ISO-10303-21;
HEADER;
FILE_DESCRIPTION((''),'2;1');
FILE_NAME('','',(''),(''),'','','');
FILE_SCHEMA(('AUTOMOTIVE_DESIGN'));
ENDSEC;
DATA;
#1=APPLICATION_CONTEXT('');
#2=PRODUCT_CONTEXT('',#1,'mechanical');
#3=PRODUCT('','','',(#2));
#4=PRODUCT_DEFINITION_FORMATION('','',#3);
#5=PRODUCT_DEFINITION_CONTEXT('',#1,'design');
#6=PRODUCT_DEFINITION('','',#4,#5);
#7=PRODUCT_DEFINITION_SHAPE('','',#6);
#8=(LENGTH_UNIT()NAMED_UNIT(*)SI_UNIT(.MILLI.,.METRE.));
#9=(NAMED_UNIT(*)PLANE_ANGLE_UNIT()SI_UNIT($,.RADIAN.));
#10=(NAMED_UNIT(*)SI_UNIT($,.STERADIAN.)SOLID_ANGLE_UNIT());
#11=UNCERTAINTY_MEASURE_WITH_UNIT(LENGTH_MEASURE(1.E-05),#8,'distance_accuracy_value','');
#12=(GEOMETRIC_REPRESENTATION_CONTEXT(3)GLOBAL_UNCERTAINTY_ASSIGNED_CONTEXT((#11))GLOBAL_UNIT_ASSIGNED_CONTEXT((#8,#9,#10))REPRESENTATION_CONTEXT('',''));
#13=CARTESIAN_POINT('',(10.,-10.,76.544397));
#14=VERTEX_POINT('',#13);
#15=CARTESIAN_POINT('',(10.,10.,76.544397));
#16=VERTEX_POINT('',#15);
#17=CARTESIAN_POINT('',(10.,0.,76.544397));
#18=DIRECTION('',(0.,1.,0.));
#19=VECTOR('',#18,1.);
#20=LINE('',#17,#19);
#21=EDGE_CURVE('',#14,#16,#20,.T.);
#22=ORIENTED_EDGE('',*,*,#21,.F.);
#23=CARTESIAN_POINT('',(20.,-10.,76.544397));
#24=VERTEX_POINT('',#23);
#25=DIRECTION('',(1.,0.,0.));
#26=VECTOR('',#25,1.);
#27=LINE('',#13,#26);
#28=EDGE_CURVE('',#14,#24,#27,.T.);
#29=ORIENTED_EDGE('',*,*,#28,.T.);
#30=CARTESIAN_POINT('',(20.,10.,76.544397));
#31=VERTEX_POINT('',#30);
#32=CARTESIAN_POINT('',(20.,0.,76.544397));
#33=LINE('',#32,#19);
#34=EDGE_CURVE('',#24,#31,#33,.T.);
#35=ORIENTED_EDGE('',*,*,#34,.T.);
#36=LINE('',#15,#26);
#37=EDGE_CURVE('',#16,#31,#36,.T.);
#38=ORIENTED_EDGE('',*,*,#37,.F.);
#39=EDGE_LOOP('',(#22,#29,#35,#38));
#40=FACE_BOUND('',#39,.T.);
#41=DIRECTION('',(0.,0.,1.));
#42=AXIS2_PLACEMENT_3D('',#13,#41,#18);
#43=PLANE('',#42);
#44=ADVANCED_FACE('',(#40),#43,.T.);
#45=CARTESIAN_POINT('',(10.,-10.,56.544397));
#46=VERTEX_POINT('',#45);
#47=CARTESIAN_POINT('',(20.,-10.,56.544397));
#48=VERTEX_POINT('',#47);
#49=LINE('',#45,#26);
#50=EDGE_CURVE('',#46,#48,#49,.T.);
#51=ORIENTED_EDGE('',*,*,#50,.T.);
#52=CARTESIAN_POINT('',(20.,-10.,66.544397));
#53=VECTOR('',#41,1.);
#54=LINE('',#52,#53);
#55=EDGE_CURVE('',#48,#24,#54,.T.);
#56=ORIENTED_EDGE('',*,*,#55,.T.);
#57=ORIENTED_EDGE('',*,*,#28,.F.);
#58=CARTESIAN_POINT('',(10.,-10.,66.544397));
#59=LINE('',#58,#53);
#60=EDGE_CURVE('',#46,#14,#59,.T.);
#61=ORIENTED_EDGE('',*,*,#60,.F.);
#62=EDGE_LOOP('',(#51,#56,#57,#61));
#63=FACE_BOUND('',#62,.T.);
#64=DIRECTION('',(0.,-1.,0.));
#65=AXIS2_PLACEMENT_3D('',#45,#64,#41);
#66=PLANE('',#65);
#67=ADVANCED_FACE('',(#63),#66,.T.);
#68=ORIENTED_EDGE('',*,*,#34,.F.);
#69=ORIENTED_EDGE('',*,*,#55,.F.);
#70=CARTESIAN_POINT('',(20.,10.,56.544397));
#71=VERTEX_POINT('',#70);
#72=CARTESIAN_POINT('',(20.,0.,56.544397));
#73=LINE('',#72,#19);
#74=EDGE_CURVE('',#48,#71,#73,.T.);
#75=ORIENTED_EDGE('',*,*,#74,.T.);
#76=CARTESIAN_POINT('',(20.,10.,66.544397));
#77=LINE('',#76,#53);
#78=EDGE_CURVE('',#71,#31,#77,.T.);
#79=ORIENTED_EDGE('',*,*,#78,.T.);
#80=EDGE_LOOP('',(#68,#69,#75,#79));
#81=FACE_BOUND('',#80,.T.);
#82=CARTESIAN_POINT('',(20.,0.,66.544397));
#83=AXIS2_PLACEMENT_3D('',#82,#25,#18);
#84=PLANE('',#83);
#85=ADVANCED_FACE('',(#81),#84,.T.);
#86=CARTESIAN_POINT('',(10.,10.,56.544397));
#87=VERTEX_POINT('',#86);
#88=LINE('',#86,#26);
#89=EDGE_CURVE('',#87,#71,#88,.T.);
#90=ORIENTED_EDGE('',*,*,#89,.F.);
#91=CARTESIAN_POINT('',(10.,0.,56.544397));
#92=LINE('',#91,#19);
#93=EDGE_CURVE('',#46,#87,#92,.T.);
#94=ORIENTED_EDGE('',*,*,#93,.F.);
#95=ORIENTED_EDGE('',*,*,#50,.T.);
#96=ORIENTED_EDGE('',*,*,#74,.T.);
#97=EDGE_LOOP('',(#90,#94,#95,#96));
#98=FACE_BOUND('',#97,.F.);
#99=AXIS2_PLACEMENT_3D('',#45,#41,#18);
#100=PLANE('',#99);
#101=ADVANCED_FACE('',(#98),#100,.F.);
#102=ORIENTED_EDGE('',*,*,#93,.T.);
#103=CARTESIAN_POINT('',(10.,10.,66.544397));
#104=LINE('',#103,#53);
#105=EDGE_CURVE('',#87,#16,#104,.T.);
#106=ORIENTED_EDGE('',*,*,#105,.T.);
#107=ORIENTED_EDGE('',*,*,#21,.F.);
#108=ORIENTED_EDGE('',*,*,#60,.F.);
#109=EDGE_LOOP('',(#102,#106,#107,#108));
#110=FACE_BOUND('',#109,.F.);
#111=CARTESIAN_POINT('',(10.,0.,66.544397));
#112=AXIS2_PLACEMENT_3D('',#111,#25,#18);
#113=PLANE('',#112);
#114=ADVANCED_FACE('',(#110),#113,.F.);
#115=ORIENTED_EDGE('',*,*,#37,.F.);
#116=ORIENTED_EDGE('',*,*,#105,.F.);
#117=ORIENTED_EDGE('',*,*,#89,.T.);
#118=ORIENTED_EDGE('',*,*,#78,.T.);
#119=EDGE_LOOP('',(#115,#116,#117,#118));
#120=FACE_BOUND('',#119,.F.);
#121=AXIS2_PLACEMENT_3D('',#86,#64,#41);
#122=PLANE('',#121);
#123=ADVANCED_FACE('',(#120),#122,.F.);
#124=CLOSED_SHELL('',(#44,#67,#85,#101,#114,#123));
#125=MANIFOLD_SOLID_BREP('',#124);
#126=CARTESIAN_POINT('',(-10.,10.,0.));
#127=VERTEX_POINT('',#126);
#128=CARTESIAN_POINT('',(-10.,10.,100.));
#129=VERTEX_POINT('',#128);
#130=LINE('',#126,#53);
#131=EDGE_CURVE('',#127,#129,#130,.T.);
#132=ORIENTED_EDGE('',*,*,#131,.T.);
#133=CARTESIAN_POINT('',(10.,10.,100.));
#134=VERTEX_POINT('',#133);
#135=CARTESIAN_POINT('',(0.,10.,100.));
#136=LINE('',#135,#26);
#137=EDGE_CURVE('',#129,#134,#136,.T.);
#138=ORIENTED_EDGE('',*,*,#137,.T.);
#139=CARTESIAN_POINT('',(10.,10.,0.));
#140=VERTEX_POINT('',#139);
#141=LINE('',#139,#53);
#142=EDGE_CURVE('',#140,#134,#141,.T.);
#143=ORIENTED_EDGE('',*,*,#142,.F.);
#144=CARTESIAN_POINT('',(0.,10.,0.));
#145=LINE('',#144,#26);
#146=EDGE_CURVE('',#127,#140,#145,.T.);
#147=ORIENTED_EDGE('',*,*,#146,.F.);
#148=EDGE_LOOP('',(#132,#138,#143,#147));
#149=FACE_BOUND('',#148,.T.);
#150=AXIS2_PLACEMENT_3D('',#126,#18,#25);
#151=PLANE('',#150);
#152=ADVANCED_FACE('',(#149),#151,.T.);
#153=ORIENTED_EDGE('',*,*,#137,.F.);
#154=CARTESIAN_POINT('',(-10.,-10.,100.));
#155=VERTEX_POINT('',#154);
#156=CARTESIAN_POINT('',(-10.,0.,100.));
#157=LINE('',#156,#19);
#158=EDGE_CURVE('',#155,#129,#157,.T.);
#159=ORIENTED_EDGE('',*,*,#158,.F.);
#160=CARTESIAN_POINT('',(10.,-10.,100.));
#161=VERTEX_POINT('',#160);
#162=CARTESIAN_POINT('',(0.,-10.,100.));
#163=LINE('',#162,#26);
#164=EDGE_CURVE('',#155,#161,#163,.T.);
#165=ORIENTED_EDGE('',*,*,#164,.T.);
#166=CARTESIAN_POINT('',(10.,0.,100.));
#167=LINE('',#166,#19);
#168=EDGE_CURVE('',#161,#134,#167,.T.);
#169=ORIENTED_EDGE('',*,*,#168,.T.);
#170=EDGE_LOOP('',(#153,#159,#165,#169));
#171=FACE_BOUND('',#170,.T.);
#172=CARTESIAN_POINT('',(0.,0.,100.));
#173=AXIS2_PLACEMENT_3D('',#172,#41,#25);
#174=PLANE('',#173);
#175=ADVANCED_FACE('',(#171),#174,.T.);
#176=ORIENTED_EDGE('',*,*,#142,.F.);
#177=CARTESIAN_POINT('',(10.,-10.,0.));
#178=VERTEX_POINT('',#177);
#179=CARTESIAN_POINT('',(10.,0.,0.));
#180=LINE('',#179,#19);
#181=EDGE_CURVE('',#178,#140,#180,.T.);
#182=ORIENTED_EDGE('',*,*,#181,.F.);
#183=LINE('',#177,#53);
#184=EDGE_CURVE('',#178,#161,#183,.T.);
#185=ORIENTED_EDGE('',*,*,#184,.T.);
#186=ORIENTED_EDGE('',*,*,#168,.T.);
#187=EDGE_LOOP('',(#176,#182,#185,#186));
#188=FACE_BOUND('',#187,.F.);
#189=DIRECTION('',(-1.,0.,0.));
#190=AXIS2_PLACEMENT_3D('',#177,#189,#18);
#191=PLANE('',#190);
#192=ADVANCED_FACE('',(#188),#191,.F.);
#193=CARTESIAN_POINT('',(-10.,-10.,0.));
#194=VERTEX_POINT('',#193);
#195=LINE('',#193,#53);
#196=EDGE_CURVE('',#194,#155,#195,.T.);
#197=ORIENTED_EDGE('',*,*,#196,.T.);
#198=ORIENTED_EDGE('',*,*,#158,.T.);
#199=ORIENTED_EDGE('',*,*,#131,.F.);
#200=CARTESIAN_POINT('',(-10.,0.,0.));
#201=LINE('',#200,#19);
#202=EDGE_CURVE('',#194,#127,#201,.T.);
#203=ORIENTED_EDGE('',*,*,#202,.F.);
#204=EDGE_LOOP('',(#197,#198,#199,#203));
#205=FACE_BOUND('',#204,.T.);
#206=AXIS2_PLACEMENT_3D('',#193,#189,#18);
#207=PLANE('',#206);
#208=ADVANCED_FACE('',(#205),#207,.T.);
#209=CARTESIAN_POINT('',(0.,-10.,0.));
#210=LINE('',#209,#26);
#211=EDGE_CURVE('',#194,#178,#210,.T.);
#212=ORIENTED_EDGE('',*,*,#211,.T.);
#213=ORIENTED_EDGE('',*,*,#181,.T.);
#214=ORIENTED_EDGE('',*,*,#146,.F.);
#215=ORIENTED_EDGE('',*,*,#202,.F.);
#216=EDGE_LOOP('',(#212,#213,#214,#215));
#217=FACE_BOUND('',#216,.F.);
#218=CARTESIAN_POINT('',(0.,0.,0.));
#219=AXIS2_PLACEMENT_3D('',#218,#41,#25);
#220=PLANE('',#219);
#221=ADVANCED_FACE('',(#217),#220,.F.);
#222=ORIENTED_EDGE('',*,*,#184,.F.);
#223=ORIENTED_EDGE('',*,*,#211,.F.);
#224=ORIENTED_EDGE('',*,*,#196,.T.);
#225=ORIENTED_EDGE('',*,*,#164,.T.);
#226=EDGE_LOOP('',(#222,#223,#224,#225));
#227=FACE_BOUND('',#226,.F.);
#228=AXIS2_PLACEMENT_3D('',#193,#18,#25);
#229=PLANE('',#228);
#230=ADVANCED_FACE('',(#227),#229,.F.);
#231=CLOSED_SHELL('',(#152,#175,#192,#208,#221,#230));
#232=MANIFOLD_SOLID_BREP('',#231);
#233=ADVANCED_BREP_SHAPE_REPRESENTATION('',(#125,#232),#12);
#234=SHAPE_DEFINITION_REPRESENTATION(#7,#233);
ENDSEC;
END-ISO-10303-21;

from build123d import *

# Parameters (mm, degrees)
F0_W     = 20
F0_H     = 20
F1_DEPTH = 100
F2_W     = 20
F2_H     = 20
F3_DEPTH = 10


with BuildPart() as f1:
    # F0 (on Top) → F1 (new body)
    with BuildSketch(Plane.XY):
        Rectangle(F0_W, F0_H)
    extrude(amount=F1_DEPTH)


with BuildPart() as f3:
    # F2 (on face) → F3 (new body)
    with BuildSketch(Plane.YZ.offset(10)):
        with Locations((0, 66.544397)):
            Rectangle(F2_W, F2_H)
    extrude(amount=F3_DEPTH)


solid = Compound([f1.part, f3.part])
